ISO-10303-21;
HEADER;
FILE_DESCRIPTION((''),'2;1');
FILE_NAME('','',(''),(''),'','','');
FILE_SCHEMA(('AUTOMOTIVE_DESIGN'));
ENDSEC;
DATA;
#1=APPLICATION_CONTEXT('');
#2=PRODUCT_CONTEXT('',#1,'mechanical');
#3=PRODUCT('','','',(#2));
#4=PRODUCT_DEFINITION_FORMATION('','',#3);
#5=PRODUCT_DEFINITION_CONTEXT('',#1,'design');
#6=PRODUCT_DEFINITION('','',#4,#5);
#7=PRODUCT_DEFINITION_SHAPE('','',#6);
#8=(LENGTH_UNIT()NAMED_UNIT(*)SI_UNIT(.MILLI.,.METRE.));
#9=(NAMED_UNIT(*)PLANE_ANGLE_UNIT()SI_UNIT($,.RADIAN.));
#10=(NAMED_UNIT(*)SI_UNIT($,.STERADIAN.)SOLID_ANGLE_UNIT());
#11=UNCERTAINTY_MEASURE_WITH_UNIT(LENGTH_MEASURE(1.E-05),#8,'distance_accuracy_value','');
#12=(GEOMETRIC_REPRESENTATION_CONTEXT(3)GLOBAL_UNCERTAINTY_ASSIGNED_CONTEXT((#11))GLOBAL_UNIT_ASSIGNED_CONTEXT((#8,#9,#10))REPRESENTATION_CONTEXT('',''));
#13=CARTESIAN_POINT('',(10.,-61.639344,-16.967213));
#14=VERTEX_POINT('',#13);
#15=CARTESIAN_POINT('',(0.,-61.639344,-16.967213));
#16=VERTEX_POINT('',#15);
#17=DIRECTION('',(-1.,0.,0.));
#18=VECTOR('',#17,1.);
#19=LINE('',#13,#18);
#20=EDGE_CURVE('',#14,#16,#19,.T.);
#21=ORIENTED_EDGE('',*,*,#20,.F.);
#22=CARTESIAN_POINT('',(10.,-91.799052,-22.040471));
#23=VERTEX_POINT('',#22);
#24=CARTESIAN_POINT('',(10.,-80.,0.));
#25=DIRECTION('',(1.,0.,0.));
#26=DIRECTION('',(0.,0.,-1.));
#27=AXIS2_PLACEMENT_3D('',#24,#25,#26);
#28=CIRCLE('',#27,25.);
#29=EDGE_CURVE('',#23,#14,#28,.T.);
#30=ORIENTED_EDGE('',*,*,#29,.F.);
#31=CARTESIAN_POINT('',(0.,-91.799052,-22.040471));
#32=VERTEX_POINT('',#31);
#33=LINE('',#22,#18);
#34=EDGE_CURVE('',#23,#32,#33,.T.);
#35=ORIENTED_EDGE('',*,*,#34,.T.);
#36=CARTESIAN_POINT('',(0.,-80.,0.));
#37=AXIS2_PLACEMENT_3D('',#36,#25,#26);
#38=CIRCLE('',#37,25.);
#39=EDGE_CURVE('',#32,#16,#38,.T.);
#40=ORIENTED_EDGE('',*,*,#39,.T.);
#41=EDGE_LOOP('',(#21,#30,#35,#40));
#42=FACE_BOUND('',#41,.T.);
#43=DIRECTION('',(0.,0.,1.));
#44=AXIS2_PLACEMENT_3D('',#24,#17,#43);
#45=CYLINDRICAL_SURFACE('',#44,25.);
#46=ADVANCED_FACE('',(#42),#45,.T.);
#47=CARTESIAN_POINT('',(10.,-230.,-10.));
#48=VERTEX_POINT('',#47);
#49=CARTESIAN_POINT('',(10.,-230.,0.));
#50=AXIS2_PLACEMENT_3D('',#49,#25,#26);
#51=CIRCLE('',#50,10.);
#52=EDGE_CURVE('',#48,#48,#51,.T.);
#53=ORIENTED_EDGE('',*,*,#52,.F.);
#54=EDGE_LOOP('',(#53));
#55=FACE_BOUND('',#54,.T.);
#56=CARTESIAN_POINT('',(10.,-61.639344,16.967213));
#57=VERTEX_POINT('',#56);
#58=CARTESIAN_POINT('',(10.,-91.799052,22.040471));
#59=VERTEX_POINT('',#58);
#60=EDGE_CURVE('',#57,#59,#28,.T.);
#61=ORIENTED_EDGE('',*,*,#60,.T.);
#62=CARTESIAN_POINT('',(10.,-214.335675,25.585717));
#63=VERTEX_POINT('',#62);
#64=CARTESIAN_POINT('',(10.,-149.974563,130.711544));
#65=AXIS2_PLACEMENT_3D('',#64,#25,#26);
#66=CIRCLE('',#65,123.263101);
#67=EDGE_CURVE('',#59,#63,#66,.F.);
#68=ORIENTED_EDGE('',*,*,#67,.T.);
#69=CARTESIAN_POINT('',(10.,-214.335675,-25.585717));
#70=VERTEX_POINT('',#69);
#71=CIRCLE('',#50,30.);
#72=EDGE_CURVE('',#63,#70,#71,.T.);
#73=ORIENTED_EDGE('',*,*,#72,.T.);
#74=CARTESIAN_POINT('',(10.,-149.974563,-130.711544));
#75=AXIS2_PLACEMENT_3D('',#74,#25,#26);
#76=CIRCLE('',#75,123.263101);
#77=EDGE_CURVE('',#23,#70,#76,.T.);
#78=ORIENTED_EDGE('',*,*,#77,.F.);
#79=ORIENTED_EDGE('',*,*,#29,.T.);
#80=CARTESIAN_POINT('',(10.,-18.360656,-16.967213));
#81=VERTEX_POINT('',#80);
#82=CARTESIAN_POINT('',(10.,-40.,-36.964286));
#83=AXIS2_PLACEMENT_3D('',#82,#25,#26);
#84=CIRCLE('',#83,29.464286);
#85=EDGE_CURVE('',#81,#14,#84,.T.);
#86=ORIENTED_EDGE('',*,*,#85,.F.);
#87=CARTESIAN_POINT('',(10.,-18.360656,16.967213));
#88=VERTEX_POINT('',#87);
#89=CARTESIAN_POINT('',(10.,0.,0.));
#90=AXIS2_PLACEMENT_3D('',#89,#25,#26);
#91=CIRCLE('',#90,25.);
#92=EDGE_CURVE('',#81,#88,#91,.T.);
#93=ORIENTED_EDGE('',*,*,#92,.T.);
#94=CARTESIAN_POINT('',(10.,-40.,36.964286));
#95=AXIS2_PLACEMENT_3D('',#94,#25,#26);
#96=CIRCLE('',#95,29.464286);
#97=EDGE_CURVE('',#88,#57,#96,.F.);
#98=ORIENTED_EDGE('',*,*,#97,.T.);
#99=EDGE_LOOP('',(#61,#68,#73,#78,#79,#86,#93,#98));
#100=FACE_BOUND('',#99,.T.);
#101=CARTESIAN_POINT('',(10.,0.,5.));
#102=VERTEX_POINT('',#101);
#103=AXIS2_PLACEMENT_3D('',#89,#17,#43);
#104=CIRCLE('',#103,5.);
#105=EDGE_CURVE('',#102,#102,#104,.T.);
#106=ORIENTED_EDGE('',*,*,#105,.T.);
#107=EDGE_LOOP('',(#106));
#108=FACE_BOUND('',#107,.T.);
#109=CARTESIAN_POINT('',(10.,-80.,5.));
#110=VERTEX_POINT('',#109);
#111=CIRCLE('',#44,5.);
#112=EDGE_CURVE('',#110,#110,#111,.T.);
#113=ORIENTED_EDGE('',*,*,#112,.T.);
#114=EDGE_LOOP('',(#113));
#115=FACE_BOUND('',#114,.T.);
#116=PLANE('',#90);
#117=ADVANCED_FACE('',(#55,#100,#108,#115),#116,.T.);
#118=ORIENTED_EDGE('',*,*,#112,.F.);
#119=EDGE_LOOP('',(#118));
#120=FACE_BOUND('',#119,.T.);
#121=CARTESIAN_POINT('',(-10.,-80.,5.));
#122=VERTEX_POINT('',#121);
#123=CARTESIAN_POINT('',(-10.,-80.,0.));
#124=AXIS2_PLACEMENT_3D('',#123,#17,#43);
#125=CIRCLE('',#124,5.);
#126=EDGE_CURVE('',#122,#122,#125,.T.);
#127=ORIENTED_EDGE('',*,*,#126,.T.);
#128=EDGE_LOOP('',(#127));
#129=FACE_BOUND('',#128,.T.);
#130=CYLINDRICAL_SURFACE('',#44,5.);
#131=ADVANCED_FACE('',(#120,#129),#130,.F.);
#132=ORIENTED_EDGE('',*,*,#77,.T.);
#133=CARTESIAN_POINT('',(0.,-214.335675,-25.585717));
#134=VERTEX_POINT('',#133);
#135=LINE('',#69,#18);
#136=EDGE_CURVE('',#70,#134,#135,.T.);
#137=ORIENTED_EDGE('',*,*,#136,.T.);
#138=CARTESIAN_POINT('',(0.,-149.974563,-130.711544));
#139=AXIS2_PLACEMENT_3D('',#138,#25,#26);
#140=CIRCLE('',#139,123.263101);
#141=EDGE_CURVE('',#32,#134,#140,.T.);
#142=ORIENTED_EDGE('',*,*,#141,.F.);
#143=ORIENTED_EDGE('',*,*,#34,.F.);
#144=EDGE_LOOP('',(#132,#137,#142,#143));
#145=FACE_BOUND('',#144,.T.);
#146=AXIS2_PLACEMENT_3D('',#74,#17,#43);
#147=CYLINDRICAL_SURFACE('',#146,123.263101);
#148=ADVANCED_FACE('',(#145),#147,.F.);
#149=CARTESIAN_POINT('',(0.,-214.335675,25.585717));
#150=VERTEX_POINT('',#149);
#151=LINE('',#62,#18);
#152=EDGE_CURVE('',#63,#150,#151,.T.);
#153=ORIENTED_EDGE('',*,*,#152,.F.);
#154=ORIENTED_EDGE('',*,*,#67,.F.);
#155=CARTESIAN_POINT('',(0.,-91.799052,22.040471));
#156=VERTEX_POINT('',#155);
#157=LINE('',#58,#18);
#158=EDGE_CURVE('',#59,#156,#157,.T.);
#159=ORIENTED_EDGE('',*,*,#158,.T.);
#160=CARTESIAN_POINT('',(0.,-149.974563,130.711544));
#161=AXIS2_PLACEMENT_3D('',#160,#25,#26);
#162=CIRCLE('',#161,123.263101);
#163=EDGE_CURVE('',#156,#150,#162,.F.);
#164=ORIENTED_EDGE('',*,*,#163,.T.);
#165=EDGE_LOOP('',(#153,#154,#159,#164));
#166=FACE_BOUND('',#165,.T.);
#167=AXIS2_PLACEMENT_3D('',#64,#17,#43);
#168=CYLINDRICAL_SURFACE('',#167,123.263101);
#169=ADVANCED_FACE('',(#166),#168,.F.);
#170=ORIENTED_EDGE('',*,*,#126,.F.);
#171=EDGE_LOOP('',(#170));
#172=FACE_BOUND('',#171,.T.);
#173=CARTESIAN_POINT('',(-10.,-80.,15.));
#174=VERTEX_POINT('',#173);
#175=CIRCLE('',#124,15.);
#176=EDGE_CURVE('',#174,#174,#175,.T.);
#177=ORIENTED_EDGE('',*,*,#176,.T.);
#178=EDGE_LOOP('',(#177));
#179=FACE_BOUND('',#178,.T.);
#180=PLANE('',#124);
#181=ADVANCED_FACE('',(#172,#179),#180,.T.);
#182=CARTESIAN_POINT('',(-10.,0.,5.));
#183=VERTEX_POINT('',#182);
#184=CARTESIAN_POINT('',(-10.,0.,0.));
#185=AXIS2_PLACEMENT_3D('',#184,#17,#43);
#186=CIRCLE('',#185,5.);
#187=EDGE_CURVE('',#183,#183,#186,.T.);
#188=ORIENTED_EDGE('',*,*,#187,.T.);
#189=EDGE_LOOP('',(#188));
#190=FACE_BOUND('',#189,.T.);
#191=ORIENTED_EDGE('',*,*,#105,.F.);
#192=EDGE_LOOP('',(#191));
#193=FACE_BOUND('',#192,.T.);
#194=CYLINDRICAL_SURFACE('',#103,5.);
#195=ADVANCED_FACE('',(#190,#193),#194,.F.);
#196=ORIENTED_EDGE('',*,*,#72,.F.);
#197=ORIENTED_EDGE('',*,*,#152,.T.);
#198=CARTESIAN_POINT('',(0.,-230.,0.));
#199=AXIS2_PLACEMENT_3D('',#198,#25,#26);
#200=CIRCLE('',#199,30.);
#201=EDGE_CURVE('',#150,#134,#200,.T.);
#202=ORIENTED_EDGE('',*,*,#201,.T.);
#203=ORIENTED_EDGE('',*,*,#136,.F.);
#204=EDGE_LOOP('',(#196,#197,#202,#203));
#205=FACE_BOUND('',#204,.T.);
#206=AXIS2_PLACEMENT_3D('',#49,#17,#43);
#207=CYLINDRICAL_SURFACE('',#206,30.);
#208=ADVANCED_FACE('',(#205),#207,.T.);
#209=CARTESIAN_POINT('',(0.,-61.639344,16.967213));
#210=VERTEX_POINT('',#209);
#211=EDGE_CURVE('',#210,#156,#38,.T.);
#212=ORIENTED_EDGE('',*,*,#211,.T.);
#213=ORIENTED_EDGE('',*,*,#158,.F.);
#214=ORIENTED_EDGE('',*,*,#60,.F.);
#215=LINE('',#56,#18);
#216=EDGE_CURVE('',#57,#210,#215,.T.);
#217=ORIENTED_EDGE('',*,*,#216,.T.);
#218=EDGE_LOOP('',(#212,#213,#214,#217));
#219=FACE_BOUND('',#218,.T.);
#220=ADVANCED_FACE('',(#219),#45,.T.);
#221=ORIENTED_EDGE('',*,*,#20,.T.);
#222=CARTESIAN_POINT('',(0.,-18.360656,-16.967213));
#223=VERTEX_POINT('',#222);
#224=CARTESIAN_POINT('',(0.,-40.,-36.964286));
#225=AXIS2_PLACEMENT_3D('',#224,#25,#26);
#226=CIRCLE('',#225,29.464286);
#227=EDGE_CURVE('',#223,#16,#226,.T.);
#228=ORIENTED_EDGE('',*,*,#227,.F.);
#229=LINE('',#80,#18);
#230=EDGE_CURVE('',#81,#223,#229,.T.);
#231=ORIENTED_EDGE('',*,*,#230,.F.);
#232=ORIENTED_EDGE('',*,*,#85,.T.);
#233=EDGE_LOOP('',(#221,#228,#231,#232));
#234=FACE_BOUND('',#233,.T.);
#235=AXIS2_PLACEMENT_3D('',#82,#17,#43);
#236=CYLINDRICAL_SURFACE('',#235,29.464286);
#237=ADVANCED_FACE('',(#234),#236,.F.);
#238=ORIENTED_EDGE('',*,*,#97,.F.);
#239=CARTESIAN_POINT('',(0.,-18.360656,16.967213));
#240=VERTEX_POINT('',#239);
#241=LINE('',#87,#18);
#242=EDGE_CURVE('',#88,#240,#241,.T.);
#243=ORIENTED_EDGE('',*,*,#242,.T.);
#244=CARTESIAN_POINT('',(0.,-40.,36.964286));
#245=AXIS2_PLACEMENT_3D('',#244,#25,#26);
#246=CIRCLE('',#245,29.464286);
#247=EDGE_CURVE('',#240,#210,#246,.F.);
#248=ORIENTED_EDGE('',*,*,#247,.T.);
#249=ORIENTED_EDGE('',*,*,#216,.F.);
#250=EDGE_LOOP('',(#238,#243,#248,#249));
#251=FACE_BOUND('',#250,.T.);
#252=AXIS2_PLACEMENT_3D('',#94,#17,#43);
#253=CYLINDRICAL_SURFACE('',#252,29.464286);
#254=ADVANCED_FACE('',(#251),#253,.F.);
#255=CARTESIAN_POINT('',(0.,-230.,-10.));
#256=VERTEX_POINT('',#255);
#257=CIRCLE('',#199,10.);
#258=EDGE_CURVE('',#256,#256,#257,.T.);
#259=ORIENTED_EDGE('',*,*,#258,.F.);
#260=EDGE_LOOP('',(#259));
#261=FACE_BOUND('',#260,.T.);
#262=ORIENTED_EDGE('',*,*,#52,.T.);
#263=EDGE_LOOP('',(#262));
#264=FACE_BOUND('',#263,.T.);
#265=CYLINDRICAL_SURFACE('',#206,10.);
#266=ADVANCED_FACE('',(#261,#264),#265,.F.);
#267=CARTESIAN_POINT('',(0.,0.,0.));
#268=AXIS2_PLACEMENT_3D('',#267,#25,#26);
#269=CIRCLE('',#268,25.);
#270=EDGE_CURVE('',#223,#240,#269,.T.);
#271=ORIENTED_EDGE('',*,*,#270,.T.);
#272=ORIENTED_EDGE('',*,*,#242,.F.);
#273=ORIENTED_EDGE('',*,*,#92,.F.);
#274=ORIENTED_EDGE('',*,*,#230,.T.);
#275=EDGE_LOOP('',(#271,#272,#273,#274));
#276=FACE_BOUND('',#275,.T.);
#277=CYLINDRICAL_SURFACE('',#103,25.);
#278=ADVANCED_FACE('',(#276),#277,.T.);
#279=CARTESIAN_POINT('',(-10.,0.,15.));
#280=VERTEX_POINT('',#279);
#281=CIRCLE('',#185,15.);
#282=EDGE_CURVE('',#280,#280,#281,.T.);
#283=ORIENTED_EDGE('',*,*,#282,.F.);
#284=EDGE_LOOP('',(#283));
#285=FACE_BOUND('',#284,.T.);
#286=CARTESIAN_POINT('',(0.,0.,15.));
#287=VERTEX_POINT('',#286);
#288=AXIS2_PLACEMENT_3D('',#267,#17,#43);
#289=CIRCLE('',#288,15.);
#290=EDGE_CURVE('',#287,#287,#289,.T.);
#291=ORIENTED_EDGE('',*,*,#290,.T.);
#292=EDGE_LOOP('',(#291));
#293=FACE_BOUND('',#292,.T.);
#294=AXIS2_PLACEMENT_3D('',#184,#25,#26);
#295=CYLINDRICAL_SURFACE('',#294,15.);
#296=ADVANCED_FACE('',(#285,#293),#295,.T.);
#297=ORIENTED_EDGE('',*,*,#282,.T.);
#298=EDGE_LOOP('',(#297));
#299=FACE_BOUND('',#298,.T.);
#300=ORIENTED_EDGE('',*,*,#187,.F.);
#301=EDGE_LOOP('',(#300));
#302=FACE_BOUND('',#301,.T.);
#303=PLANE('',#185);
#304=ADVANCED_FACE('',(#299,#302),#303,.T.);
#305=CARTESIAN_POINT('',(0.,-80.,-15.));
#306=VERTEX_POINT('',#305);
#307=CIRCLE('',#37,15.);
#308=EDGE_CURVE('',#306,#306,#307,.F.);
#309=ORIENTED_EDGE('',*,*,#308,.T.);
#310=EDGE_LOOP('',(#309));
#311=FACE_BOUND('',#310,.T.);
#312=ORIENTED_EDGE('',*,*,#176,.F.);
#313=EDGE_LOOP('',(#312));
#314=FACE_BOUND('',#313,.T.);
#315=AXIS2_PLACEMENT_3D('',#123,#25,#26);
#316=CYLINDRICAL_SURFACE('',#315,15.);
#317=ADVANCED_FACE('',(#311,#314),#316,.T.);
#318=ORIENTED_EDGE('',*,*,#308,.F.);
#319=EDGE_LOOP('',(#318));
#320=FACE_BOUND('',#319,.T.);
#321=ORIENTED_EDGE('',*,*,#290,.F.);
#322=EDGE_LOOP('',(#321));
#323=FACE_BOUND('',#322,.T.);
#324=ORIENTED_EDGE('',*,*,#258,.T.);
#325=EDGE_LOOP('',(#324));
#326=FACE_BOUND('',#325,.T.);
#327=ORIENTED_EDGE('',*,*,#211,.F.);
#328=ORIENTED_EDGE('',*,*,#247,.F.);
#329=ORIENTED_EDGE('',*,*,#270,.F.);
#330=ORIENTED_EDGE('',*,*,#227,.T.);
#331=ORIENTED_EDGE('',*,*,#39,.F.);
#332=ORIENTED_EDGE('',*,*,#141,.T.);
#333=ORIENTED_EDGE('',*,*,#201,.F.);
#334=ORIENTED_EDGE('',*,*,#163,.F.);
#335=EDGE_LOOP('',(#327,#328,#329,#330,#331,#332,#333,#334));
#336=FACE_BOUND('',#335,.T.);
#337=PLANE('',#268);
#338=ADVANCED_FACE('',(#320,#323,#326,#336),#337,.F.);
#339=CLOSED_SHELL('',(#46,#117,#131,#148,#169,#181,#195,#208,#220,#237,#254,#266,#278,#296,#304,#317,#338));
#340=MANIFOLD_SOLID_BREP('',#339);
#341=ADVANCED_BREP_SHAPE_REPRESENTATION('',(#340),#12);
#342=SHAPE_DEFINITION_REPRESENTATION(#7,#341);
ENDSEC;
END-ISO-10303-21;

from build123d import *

# Parameters (mm, degrees)
SKETCH1_R           = 10
BOSS_EXTRUDE1_DEPTH = 10
SKETCH3_R           = 15
BOSS_EXTRUDE3_DEPTH = 10
SKETCH4_R           = 5
CUT_EXTRUDE1_DEPTH  = 20


with BuildPart() as part:
    # Sketch1 → Boss-Extrude1 (new body)
    with BuildSketch(Plane(origin=(0, 0, 0), x_dir=(0, 0, -1), z_dir=(1, 0, 0))):
        with BuildLine():
            ThreePointArc((16.967213115, -18.360655738), (0, 25), (-16.967213115, -18.360655738))
            ThreePointArc((-16.967213115, -18.360655738), (-7.5, -40), (-16.967213115, -61.639344262))
            ThreePointArc((-16.967213115, -61.639344262), (-24.653637732, -75.852935186), (-22.040471077, -91.799052281))
            ThreePointArc((-22.040471077, -91.799052281), (-7.5, -153.539335996), (-25.58571686, -214.33567452))
            ThreePointArc((-25.58571686, -214.33567452), (0, -260), (25.58571686, -214.33567452))
            ThreePointArc((25.58571686, -214.33567452), (7.5, -153.539335996), (22.040471077, -91.799052281))
            ThreePointArc((22.040471077, -91.799052281), (24.653637732, -75.852935186), (16.967213115, -61.639344262))
            ThreePointArc((16.967213115, -61.639344262), (7.5, -40), (16.967213115, -18.360655738))
        make_face()
        with Locations((0, -230)):
            Circle(SKETCH1_R, mode=Mode.SUBTRACT)
    extrude(amount=BOSS_EXTRUDE1_DEPTH)

    # Sketch3 → Boss-Extrude3 (add)
    with BuildSketch(Plane.ZY):
        Circle(SKETCH3_R)
        with Locations((0, -80)):
            Circle(SKETCH3_R)
    extrude(amount=BOSS_EXTRUDE3_DEPTH)

    # Sketch4 → Cut-Extrude1 (cut)
    with BuildSketch(Plane.ZY.offset(10)):
        with Locations((0, -80)):
            Circle(SKETCH4_R)
        Circle(SKETCH4_R)
    extrude(amount=-CUT_EXTRUDE1_DEPTH, mode=Mode.SUBTRACT)


solid = part.part
